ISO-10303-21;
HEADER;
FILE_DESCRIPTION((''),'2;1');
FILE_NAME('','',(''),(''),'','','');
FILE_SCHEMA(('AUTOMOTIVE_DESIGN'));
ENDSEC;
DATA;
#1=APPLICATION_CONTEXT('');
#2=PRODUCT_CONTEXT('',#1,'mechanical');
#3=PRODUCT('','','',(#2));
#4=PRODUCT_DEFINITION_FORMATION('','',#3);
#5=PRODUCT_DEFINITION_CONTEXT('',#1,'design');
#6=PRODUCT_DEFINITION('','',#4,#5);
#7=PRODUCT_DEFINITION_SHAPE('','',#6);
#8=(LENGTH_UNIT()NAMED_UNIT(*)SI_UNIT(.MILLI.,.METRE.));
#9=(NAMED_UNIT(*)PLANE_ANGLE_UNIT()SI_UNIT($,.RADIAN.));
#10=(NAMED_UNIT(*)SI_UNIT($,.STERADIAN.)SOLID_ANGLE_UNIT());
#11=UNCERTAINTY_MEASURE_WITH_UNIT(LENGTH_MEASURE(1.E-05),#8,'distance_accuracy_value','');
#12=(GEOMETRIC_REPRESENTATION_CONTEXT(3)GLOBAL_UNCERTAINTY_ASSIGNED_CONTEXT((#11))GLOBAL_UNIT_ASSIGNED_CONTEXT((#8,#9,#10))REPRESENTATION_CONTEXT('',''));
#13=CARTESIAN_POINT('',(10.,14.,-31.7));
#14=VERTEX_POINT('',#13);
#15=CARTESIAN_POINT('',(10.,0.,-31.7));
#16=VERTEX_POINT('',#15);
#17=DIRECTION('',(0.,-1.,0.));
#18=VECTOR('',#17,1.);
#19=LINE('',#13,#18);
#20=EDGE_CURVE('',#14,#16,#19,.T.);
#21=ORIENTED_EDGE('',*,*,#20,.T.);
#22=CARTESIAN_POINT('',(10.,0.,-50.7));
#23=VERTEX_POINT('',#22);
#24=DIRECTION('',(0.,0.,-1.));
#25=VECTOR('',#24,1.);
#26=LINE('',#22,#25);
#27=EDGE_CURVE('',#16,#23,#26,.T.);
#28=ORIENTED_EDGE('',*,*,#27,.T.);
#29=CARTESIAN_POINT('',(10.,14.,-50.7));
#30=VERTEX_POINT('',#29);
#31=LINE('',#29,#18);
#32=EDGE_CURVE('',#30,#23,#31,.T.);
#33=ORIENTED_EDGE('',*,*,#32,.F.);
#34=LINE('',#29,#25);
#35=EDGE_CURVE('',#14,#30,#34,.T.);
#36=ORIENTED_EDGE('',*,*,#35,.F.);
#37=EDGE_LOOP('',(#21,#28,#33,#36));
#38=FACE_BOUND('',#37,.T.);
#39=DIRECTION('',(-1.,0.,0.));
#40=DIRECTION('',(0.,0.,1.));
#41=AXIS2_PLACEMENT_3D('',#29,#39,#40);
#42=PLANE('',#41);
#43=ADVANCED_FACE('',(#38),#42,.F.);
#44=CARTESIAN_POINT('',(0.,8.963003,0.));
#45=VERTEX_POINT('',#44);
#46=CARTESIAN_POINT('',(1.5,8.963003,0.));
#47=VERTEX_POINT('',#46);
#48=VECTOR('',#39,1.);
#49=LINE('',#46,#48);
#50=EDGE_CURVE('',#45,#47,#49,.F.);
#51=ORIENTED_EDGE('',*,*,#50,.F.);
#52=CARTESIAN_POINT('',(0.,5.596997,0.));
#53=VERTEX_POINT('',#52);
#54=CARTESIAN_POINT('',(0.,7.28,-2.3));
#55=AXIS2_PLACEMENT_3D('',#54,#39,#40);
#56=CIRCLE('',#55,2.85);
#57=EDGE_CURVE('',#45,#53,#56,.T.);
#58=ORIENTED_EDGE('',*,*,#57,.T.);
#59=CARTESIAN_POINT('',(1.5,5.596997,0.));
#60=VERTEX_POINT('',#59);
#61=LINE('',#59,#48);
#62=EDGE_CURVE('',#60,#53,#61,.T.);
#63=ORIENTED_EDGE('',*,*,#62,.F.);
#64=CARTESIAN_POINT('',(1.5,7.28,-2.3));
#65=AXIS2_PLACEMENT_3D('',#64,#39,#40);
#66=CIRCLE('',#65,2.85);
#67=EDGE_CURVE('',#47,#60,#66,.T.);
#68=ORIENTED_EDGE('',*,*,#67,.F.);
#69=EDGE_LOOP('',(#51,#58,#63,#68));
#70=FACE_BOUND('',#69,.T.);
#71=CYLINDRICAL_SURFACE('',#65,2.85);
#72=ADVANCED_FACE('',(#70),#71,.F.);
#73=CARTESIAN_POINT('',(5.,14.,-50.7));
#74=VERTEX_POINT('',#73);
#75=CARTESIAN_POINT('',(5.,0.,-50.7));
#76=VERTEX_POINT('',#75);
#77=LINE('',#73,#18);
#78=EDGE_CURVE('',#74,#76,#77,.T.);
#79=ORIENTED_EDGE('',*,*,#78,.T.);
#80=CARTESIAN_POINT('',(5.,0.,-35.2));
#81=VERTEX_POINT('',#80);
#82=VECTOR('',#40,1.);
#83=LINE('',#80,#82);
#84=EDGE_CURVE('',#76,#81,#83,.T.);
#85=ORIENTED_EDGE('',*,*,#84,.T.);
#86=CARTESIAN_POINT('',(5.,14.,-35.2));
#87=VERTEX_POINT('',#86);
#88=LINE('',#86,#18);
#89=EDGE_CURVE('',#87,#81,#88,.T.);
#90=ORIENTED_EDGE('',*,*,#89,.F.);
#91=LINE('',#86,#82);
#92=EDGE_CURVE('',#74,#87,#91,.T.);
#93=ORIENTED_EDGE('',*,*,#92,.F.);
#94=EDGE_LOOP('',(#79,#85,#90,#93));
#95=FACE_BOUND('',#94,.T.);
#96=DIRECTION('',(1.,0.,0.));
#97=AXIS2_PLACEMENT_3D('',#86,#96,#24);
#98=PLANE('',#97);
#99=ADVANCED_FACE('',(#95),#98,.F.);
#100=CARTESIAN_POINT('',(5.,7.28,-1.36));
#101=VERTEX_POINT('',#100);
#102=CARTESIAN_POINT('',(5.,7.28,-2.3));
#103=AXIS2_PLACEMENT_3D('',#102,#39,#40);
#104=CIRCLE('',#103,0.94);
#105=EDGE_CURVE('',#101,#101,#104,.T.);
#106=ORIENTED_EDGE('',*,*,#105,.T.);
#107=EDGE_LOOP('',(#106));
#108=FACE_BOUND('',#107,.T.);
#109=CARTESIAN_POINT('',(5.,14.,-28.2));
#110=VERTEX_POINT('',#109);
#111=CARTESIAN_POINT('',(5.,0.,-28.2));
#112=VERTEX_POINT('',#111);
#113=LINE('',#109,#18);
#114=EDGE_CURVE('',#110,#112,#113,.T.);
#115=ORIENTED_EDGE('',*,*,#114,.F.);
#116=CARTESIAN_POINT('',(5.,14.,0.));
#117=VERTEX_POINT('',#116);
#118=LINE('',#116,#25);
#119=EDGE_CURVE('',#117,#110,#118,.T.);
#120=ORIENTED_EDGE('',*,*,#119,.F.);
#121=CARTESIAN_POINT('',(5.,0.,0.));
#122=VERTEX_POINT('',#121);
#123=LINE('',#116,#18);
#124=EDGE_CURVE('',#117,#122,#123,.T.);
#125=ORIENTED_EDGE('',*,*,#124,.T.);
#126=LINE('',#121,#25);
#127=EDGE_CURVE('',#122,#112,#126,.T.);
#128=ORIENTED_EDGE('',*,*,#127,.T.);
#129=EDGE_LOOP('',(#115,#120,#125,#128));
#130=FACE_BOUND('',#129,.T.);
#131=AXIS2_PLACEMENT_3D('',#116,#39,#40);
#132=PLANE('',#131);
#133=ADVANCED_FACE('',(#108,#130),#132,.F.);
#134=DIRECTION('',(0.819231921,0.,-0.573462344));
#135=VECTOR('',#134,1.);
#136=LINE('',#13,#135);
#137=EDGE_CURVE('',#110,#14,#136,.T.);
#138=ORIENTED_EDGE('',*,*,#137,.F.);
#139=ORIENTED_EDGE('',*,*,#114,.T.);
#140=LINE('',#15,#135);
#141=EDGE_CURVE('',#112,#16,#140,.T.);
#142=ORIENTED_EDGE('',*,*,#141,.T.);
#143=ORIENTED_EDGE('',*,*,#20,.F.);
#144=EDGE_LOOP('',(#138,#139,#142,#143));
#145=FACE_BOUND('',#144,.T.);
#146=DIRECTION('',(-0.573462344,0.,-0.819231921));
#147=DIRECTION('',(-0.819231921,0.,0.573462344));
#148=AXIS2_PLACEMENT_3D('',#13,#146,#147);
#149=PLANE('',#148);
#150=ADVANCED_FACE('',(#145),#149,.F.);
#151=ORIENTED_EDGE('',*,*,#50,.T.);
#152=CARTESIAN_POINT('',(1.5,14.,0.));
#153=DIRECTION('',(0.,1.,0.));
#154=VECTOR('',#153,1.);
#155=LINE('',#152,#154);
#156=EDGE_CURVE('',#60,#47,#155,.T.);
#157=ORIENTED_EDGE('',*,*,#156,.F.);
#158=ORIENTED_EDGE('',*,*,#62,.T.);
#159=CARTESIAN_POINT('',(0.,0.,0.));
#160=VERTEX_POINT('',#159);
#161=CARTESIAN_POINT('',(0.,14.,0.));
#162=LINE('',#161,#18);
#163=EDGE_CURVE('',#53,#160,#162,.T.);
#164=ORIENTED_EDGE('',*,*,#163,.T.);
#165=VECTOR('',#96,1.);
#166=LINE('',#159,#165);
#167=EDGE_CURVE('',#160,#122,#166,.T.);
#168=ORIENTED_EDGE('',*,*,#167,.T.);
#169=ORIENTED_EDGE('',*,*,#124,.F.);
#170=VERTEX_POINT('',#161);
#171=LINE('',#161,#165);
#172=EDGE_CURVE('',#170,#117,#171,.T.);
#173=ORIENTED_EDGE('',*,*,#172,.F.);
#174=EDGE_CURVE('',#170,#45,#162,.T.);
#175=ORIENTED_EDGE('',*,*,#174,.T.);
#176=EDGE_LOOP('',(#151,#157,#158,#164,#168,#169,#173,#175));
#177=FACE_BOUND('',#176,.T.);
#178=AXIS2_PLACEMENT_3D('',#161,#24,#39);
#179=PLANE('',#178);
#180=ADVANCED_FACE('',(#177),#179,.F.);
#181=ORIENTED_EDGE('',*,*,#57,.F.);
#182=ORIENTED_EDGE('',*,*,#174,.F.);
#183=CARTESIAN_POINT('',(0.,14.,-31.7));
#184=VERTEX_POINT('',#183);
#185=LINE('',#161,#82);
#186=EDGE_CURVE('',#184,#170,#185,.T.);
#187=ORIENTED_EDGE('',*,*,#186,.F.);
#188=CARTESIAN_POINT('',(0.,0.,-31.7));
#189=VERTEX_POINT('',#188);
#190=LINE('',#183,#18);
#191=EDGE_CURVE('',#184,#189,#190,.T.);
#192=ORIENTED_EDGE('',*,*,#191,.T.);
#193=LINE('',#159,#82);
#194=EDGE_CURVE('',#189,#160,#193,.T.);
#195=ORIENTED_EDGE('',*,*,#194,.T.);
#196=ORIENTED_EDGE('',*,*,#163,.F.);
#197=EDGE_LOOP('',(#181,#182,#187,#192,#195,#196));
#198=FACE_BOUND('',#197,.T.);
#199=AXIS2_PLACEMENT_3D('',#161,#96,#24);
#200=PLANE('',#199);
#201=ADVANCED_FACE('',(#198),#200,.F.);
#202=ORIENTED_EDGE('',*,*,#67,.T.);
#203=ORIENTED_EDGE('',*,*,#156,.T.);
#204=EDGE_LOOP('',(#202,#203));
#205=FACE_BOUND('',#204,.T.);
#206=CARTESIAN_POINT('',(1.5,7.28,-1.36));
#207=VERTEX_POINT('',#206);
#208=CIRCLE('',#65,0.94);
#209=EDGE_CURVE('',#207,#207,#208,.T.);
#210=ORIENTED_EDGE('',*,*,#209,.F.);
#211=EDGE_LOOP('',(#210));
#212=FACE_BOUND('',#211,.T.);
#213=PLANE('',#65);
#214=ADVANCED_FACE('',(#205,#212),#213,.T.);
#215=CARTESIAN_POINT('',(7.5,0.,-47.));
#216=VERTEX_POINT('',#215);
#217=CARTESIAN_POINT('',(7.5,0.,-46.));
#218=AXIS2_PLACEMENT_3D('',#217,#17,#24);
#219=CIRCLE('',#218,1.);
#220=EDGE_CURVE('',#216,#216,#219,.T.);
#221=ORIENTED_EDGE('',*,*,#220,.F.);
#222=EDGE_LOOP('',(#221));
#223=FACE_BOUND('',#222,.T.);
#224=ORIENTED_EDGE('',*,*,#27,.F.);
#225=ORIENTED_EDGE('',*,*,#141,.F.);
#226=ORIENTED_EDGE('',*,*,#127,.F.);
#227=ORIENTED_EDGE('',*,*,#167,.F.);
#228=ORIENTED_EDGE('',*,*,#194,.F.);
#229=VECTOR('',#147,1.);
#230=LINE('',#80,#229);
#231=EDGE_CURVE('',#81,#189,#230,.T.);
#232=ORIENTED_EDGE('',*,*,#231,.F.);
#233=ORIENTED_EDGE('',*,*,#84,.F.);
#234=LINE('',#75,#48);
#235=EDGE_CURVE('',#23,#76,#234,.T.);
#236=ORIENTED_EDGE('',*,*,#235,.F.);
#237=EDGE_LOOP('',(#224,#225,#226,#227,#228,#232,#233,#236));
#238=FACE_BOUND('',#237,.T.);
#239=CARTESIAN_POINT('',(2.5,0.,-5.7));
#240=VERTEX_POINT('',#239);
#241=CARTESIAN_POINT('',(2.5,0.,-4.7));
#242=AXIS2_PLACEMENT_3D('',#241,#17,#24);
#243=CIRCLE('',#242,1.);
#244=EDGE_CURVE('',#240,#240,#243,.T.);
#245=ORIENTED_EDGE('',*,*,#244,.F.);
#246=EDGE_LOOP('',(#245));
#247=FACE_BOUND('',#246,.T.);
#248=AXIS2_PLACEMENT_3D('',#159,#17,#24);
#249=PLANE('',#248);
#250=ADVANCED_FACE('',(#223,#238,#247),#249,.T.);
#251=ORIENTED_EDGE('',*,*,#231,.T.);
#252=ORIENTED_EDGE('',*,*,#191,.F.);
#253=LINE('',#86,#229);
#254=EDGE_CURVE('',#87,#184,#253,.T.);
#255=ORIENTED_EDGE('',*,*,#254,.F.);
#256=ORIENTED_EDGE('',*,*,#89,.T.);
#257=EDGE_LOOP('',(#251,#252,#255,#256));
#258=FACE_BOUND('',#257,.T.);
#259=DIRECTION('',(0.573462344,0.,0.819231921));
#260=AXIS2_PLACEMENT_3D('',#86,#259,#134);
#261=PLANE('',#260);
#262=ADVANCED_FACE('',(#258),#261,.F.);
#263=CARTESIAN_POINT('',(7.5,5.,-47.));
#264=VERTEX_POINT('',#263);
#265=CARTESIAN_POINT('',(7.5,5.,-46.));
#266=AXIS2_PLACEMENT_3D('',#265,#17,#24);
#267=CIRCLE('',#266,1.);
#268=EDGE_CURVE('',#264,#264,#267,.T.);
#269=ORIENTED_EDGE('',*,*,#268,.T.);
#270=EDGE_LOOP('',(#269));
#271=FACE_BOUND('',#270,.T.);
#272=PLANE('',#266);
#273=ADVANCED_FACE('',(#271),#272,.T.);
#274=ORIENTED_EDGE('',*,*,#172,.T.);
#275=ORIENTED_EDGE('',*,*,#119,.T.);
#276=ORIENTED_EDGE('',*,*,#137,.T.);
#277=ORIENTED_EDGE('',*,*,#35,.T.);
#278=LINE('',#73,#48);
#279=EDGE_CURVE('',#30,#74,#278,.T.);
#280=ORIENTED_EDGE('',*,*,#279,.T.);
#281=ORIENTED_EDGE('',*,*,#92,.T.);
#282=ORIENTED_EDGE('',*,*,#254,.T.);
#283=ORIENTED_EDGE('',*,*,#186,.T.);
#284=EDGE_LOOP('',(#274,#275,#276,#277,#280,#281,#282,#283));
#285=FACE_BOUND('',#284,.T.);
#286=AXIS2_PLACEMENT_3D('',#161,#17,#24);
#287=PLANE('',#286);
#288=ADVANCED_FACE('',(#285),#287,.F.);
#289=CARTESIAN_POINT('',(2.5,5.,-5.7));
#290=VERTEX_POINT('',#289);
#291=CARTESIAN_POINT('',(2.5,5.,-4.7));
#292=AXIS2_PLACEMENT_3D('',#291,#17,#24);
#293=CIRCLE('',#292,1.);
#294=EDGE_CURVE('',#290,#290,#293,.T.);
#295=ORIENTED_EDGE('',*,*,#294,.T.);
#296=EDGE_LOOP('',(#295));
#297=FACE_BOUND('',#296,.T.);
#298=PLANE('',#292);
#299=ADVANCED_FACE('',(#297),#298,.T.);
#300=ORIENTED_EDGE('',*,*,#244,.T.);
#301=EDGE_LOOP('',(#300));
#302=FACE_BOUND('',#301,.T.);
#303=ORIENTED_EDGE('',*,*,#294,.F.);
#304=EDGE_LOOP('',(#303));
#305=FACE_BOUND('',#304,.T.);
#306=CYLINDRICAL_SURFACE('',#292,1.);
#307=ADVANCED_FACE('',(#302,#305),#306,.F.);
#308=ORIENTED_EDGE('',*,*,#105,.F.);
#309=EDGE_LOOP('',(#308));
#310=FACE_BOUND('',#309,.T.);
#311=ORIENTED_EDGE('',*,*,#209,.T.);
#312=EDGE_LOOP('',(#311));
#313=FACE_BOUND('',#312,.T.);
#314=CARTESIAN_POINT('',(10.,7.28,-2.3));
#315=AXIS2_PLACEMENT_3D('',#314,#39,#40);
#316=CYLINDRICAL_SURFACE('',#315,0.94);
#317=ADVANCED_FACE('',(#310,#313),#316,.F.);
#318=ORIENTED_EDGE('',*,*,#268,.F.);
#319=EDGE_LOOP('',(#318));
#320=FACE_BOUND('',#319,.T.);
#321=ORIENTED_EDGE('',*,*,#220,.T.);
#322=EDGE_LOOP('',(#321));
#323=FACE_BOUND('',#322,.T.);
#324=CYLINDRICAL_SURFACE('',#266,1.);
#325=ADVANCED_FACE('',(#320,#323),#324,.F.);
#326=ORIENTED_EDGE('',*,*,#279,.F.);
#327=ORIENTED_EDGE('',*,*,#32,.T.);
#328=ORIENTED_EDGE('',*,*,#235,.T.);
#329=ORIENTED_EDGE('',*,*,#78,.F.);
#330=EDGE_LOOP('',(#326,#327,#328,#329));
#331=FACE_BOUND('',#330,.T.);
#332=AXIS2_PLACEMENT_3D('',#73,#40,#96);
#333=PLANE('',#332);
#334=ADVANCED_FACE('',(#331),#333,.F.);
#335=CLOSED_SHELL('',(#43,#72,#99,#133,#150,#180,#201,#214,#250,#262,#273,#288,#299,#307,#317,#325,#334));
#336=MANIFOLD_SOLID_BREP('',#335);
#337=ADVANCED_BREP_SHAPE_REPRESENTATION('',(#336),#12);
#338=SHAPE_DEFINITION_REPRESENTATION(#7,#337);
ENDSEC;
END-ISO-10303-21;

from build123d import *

# Parameters (mm, degrees)
SALIENTE_EXTRUIR1_DEPTH = 14
CROQUIS3_R              = 1
CORTAR_EXTRUIR1_DEPTH   = 5
CROQUIS5_R              = 2.85
CORTAR_EXTRUIR2_DEPTH   = 1.5
CROQUIS6_R              = 0.94
CORTAR_EXTRUIR3_DEPTH   = 54.279827327


with BuildPart() as part:
    # Croquis1 → Saliente-Extruir1 (new body)
    with BuildSketch(Plane(origin=(0, 0, 0), x_dir=(1, 0, 0), z_dir=(0, 1, 0))):
        Polygon((0, 0), (5, 0), (5, 28.2), (10, 31.7), (10, 50.7), (5, 50.7), (5, 35.2), (0, 31.7), align=None)
    extrude(amount=SALIENTE_EXTRUIR1_DEPTH)

    # Croquis3 → Cortar-Extruir1 (cut)
    with BuildSketch(Plane.XZ):
        with Locations(Location((2.5, -4.7, 0), (0, 0, 270))):
            Circle(CROQUIS3_R)
        with Locations(Location((7.5, -46, 0), (0, 0, 270))):
            Circle(CROQUIS3_R)
    extrude(amount=-CORTAR_EXTRUIR1_DEPTH, mode=Mode.SUBTRACT)

    # Croquis5 → Cortar-Extruir2 (cut)
    with BuildSketch(Plane.ZY):
        with Locations((-2.3, 7.28)):
            Circle(CROQUIS5_R)
    extrude(amount=-CORTAR_EXTRUIR2_DEPTH, mode=Mode.SUBTRACT)

    # Croquis6 → Cortar-Extruir3 (cut, through all)
    with BuildSketch(Plane.ZY.offset(-1.5)):
        with Locations((-2.3, 7.28)):
            Circle(CROQUIS6_R)
    extrude(amount=-CORTAR_EXTRUIR3_DEPTH, mode=Mode.SUBTRACT)


solid = part.part
